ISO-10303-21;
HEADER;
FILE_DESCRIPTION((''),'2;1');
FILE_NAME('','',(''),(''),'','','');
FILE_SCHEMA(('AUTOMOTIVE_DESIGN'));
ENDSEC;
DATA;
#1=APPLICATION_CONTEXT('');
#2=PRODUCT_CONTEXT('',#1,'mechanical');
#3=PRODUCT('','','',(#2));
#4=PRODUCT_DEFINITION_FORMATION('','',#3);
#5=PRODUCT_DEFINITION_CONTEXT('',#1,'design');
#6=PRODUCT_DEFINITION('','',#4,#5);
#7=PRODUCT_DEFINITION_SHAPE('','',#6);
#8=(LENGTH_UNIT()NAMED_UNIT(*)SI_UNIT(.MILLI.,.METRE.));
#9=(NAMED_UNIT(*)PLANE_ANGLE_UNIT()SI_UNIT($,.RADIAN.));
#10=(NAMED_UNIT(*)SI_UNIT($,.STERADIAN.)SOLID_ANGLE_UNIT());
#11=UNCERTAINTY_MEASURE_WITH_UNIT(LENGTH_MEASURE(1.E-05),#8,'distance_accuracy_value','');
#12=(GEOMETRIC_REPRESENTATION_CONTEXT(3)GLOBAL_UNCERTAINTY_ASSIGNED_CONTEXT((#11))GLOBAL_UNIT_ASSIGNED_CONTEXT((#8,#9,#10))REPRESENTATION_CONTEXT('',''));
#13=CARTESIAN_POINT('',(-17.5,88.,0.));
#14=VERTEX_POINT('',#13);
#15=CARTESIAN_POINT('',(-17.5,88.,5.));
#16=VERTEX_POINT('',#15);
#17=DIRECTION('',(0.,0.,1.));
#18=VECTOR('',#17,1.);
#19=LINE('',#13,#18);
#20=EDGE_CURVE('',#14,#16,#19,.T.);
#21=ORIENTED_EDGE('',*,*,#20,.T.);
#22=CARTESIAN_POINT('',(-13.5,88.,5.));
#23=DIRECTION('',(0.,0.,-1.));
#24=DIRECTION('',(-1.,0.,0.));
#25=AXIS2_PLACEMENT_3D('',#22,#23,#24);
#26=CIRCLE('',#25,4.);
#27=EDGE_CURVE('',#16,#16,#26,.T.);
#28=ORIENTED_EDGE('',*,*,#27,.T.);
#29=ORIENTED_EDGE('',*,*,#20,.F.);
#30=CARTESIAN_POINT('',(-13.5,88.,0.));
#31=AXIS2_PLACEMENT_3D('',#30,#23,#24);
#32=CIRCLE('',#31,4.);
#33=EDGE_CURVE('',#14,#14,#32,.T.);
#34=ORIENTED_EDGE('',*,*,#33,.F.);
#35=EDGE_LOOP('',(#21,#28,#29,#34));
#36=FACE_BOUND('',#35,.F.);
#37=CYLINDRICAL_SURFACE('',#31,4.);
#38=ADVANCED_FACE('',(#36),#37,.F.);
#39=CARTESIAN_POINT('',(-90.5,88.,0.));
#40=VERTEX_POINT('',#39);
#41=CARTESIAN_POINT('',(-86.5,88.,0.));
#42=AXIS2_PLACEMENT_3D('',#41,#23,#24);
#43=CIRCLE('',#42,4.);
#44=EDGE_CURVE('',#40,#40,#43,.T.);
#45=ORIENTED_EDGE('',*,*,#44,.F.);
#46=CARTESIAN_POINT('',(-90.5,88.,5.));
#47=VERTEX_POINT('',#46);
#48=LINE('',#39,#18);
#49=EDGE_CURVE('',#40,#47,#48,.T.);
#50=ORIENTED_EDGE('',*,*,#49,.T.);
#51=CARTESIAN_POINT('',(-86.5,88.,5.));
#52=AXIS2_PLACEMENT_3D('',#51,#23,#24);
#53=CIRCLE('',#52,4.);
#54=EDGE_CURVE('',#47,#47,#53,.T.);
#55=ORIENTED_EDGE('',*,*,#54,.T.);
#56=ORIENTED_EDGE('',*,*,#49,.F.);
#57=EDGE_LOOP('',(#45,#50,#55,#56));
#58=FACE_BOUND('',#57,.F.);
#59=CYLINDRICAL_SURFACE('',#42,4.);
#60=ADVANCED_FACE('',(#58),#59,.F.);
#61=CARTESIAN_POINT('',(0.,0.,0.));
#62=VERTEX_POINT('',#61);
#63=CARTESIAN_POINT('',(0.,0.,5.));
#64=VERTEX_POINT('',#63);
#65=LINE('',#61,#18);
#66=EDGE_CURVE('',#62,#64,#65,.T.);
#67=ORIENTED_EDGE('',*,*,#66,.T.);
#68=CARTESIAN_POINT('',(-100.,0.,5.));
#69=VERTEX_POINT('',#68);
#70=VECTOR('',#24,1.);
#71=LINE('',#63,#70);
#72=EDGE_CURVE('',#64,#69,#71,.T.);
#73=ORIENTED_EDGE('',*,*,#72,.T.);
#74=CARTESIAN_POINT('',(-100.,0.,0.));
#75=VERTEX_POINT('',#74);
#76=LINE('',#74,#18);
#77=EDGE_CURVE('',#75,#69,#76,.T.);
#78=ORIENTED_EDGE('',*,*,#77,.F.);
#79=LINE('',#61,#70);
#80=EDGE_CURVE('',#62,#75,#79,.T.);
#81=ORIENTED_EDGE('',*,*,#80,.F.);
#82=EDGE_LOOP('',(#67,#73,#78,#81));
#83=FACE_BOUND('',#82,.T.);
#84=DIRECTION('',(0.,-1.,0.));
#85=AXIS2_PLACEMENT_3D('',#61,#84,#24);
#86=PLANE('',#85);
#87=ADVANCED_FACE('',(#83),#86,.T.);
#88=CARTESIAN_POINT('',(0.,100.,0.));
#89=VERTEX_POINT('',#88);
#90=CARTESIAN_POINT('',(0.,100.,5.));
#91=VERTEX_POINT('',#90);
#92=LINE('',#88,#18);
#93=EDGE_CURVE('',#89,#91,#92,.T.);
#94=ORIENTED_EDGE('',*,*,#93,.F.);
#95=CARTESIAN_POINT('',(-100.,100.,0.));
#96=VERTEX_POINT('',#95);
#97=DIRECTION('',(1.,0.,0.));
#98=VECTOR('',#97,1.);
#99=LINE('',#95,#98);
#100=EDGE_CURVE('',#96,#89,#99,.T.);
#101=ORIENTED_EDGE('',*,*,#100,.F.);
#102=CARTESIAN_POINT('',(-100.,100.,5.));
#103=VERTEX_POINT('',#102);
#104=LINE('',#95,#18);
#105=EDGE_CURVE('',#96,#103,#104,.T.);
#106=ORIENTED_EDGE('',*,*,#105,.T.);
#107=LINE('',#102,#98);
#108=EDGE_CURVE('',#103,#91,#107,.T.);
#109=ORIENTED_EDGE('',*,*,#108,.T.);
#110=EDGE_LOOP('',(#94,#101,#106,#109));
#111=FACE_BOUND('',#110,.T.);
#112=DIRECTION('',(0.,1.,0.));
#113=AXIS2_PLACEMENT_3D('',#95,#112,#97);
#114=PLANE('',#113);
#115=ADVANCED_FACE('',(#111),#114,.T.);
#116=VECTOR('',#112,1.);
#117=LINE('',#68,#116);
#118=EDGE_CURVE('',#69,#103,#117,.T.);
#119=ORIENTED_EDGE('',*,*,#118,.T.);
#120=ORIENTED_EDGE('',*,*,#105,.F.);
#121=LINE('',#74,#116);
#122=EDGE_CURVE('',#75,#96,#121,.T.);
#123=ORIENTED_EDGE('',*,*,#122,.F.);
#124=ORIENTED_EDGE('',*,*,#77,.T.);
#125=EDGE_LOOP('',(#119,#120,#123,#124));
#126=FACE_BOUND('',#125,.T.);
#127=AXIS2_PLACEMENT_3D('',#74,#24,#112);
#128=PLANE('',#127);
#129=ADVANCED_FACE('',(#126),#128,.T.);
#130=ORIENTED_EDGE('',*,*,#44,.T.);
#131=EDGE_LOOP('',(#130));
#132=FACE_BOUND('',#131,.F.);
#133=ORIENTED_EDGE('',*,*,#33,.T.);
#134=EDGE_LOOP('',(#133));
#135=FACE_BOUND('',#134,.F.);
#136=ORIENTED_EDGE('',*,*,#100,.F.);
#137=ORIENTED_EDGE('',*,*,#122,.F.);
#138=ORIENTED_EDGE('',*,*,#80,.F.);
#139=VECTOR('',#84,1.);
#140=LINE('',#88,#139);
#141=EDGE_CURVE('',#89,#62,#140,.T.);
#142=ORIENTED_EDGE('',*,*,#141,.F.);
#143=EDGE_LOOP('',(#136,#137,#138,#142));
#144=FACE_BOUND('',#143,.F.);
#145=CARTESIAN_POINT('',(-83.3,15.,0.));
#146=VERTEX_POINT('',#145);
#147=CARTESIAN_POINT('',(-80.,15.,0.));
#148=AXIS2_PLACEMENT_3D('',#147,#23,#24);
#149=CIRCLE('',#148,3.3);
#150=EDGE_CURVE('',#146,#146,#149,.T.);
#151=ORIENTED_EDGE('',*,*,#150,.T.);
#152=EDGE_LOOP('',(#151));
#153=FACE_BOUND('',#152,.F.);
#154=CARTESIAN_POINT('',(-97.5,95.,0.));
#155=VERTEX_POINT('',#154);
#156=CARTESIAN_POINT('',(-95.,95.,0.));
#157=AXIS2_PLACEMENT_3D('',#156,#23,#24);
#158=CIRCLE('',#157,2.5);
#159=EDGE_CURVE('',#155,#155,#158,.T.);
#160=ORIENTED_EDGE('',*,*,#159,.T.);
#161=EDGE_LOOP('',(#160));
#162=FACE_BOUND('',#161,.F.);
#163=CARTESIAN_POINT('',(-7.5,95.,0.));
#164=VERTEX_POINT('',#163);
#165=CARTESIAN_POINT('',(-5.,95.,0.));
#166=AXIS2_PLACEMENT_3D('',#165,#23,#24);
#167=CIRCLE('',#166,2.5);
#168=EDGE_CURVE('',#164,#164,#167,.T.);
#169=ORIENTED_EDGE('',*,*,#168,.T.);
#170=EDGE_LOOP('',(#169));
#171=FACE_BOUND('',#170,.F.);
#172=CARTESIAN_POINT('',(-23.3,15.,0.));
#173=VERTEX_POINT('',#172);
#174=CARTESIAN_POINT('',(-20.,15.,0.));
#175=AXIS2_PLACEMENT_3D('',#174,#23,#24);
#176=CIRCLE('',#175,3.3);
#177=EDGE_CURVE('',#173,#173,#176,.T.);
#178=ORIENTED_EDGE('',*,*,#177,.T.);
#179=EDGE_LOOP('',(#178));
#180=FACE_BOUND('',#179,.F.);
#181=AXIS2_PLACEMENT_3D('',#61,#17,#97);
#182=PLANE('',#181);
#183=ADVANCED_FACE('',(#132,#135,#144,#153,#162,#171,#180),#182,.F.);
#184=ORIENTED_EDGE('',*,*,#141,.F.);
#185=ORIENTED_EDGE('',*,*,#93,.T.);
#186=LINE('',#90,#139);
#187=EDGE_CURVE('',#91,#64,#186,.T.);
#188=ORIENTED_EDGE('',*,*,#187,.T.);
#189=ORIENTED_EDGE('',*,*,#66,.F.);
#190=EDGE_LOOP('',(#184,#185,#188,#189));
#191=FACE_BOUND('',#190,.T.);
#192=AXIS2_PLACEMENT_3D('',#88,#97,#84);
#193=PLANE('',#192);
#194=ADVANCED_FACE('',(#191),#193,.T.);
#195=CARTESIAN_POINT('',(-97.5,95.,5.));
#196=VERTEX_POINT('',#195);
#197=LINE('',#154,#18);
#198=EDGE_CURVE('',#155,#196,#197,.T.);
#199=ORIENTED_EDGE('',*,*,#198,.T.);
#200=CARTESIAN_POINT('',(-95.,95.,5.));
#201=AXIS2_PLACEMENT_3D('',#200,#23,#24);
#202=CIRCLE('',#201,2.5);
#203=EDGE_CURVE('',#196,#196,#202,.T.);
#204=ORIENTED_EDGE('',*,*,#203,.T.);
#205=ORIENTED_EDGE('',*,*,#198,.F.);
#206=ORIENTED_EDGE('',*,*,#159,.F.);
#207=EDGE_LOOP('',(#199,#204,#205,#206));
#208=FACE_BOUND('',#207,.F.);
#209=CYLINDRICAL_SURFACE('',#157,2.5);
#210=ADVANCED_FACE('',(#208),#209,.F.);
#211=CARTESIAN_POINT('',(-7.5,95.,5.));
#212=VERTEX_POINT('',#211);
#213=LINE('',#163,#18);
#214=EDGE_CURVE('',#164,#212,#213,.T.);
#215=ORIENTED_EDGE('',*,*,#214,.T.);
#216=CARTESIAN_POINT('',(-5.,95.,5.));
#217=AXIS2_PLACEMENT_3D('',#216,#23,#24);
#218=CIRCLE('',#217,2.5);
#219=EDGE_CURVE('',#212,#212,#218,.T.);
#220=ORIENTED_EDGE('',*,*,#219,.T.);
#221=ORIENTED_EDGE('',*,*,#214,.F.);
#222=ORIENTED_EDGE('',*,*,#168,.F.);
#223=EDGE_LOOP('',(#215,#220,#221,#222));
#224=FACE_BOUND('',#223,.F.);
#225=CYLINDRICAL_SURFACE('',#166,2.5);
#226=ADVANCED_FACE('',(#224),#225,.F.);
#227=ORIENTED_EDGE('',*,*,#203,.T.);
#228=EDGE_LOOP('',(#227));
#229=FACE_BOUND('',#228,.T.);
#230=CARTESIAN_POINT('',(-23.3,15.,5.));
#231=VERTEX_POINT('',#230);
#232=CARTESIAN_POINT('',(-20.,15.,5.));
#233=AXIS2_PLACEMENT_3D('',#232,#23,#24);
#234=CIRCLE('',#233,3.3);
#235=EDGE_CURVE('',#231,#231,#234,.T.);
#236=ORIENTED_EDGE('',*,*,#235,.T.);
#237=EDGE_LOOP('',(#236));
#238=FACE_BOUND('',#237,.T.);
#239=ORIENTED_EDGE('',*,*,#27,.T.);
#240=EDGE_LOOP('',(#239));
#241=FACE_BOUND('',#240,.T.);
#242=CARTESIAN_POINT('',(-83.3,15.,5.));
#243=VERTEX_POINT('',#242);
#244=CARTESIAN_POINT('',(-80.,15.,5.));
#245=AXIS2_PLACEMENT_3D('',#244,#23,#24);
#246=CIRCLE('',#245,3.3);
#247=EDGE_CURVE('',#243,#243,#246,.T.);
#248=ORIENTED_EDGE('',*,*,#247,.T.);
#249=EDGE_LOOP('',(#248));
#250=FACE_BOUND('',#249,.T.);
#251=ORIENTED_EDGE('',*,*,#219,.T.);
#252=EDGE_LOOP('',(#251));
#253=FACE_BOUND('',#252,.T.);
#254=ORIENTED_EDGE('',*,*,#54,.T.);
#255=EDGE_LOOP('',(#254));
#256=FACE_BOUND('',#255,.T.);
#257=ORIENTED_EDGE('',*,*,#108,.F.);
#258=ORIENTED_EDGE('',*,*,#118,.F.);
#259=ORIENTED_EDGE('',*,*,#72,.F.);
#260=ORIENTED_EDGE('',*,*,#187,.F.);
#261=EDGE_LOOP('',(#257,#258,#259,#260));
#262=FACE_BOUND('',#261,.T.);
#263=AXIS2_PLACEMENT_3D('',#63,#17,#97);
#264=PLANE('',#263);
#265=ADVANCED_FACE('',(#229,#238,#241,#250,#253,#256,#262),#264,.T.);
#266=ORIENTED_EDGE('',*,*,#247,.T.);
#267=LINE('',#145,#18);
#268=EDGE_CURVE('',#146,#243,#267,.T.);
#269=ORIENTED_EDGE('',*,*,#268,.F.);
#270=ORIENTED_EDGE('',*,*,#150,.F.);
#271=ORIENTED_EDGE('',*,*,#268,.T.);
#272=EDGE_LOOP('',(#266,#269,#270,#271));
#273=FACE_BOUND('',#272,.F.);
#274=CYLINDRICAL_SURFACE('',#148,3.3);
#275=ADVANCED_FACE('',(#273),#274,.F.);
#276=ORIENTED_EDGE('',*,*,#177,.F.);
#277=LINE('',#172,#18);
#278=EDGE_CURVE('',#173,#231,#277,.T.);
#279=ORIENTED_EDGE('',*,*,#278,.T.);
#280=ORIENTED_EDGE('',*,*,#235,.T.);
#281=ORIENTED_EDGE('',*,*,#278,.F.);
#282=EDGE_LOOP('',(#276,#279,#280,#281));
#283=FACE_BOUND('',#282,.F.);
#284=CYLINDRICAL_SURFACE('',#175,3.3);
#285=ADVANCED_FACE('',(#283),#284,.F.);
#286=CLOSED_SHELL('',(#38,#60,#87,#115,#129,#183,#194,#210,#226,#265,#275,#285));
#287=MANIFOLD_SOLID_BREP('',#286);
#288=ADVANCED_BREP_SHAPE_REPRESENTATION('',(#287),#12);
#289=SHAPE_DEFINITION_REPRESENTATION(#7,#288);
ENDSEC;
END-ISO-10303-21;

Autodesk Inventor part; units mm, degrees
ref_plane "YZ Plane" through (0, 0, 0) normal (1, 0, 0) x (0, 1, 0)
ref_plane "XZ Plane" through (0, 0, 0) normal (0, 1, 0) x (-1, 0, 0)
ref_plane "XY Plane" through (0, 0, 0) normal (0, 0, 1) x (1, 0, 0)
sketch "Sketch1" plane through (0, 0, 0) normal (0, 0, 1) x (1, 0, 0)
  line L0 (0, 0) -> (-100, 0)
  line L1 (-100, 0) -> (-100, 100)
  line L2 (-100, 100) -> (0, 100)
  line L3 (0, 100) -> (0, 0)
  dimension "d0" = 100
  dimension "d1" = 100
extrude "Extrusion1" add sketch "Sketch1" along normal blind 5
sketch "Sketch11" plane through (-80, 15, 0) normal (0, 0, -1) x (-1, 0, 0)
  circle A0 centre (0, 0) radius 3.3
  circle A1 centre (-30, 0) radius 5 projected
  circle A2 centre (-30, 0) radius 3
  circle A3 centre (-60, 0) radius 5 projected
  circle A4 centre (-60, 0) radius 3.3
  point P0 (-80, -15)
  dimension "d101" = 6.6
  dimension "d102" = 6
  dimension "d103" = 6.6
extrude "Extrusion11" cut sketch "Sketch11" along normal through all both and the other way through all contours A0 | A4
sketch "Sketch7" plane through (0, 0, 0) normal (0, 0, -1) x (-1, 0, 0)
  line L0 (100, 25) -> (0, 25)
  line L1 (100, 56.2495) -> (100, 25)
  line L2 (100, 100) -> (0, 100)
  line L3 (0, 0) -> (100, 0) projected
  circle A0 centre (86.5, 88) radius 4
  circle A1 centre (86.5, 88) radius 1.65
  line L4 (50, 100) -> (50, 0)
  line L5 (100, 0) -> (0, 0) projected
  line L6 (0, 100) -> (0, 100)
  line L7 (0, 100) -> (0, 98.5)
  circle A2 centre (95, 95) radius 2.5
  line L8 (100, 0) -> (100, 100) projected
  line L9 (0, 0) -> (100, 0) projected
  line L10 (100, 0) -> (100, 100) projected
  line L11 (100, 100) -> (0, 100) projected
  line L12 (0, 100) -> (0, 0) projected
  circle A3 centre (13.5, 88) radius 4
  circle A4 centre (13.5, 88) radius 1.65
  circle A5 centre (5, 95) radius 2.5
  point P0 (95.4835, 97.4528)
  point P1 (95.4244, 97.4637)
  point P2 (0, 100)
  point P3 (0, 100)
  point P4 (4.5165, 97.4528)
  point P5 (4.5756, 97.4637)
  point P6 (0, 100)
  dimension "d72" = 25
  dimension "d77" = 8
  dimension "d78" = 3.3
  dimension "d88" = 5
  dimension "d111" = 5
  dimension "d112" = 8.5
  dimension "d121" = 7
  dimension "d122" = 5
extrude "Extrusion13" cut sketch "Sketch7" against normal blind 10 contours A0 | A1 | A2 | A3 | A4 | A5
sketch "Sketch13" plane through (0, 0, 5) normal (0, 0, 1) x (1, 0, 0)
  line L0 (-10, 25) -> (-90, 25) construction
  line L1 (-90, 25) -> (-90, 85) construction
  line L2 (-90, 85) -> (-10, 85) construction
  line L3 (-10, 85) -> (-10, 25) construction
  line L4 (0, 0) -> (0, 100) projected
  line L5 (-100, 100) -> (-100, 0) projected
  line L6 (-100, 0) -> (0, 0) projected
  dimension "d123" = 10
  dimension "d124" = 80
  dimension "d125" = 60
  dimension "d126" = 100
  dimension "d127" = 25
equation "\"d103\" = d101"
equation "\"d88\" = d86"
equation "\"d123\" = -0.5 * d124 + 0.5 * d126"
equation "\"d86\" = 5"
properties part number "PlaqueGuideBlocLame" material "Aluminum 6061"
